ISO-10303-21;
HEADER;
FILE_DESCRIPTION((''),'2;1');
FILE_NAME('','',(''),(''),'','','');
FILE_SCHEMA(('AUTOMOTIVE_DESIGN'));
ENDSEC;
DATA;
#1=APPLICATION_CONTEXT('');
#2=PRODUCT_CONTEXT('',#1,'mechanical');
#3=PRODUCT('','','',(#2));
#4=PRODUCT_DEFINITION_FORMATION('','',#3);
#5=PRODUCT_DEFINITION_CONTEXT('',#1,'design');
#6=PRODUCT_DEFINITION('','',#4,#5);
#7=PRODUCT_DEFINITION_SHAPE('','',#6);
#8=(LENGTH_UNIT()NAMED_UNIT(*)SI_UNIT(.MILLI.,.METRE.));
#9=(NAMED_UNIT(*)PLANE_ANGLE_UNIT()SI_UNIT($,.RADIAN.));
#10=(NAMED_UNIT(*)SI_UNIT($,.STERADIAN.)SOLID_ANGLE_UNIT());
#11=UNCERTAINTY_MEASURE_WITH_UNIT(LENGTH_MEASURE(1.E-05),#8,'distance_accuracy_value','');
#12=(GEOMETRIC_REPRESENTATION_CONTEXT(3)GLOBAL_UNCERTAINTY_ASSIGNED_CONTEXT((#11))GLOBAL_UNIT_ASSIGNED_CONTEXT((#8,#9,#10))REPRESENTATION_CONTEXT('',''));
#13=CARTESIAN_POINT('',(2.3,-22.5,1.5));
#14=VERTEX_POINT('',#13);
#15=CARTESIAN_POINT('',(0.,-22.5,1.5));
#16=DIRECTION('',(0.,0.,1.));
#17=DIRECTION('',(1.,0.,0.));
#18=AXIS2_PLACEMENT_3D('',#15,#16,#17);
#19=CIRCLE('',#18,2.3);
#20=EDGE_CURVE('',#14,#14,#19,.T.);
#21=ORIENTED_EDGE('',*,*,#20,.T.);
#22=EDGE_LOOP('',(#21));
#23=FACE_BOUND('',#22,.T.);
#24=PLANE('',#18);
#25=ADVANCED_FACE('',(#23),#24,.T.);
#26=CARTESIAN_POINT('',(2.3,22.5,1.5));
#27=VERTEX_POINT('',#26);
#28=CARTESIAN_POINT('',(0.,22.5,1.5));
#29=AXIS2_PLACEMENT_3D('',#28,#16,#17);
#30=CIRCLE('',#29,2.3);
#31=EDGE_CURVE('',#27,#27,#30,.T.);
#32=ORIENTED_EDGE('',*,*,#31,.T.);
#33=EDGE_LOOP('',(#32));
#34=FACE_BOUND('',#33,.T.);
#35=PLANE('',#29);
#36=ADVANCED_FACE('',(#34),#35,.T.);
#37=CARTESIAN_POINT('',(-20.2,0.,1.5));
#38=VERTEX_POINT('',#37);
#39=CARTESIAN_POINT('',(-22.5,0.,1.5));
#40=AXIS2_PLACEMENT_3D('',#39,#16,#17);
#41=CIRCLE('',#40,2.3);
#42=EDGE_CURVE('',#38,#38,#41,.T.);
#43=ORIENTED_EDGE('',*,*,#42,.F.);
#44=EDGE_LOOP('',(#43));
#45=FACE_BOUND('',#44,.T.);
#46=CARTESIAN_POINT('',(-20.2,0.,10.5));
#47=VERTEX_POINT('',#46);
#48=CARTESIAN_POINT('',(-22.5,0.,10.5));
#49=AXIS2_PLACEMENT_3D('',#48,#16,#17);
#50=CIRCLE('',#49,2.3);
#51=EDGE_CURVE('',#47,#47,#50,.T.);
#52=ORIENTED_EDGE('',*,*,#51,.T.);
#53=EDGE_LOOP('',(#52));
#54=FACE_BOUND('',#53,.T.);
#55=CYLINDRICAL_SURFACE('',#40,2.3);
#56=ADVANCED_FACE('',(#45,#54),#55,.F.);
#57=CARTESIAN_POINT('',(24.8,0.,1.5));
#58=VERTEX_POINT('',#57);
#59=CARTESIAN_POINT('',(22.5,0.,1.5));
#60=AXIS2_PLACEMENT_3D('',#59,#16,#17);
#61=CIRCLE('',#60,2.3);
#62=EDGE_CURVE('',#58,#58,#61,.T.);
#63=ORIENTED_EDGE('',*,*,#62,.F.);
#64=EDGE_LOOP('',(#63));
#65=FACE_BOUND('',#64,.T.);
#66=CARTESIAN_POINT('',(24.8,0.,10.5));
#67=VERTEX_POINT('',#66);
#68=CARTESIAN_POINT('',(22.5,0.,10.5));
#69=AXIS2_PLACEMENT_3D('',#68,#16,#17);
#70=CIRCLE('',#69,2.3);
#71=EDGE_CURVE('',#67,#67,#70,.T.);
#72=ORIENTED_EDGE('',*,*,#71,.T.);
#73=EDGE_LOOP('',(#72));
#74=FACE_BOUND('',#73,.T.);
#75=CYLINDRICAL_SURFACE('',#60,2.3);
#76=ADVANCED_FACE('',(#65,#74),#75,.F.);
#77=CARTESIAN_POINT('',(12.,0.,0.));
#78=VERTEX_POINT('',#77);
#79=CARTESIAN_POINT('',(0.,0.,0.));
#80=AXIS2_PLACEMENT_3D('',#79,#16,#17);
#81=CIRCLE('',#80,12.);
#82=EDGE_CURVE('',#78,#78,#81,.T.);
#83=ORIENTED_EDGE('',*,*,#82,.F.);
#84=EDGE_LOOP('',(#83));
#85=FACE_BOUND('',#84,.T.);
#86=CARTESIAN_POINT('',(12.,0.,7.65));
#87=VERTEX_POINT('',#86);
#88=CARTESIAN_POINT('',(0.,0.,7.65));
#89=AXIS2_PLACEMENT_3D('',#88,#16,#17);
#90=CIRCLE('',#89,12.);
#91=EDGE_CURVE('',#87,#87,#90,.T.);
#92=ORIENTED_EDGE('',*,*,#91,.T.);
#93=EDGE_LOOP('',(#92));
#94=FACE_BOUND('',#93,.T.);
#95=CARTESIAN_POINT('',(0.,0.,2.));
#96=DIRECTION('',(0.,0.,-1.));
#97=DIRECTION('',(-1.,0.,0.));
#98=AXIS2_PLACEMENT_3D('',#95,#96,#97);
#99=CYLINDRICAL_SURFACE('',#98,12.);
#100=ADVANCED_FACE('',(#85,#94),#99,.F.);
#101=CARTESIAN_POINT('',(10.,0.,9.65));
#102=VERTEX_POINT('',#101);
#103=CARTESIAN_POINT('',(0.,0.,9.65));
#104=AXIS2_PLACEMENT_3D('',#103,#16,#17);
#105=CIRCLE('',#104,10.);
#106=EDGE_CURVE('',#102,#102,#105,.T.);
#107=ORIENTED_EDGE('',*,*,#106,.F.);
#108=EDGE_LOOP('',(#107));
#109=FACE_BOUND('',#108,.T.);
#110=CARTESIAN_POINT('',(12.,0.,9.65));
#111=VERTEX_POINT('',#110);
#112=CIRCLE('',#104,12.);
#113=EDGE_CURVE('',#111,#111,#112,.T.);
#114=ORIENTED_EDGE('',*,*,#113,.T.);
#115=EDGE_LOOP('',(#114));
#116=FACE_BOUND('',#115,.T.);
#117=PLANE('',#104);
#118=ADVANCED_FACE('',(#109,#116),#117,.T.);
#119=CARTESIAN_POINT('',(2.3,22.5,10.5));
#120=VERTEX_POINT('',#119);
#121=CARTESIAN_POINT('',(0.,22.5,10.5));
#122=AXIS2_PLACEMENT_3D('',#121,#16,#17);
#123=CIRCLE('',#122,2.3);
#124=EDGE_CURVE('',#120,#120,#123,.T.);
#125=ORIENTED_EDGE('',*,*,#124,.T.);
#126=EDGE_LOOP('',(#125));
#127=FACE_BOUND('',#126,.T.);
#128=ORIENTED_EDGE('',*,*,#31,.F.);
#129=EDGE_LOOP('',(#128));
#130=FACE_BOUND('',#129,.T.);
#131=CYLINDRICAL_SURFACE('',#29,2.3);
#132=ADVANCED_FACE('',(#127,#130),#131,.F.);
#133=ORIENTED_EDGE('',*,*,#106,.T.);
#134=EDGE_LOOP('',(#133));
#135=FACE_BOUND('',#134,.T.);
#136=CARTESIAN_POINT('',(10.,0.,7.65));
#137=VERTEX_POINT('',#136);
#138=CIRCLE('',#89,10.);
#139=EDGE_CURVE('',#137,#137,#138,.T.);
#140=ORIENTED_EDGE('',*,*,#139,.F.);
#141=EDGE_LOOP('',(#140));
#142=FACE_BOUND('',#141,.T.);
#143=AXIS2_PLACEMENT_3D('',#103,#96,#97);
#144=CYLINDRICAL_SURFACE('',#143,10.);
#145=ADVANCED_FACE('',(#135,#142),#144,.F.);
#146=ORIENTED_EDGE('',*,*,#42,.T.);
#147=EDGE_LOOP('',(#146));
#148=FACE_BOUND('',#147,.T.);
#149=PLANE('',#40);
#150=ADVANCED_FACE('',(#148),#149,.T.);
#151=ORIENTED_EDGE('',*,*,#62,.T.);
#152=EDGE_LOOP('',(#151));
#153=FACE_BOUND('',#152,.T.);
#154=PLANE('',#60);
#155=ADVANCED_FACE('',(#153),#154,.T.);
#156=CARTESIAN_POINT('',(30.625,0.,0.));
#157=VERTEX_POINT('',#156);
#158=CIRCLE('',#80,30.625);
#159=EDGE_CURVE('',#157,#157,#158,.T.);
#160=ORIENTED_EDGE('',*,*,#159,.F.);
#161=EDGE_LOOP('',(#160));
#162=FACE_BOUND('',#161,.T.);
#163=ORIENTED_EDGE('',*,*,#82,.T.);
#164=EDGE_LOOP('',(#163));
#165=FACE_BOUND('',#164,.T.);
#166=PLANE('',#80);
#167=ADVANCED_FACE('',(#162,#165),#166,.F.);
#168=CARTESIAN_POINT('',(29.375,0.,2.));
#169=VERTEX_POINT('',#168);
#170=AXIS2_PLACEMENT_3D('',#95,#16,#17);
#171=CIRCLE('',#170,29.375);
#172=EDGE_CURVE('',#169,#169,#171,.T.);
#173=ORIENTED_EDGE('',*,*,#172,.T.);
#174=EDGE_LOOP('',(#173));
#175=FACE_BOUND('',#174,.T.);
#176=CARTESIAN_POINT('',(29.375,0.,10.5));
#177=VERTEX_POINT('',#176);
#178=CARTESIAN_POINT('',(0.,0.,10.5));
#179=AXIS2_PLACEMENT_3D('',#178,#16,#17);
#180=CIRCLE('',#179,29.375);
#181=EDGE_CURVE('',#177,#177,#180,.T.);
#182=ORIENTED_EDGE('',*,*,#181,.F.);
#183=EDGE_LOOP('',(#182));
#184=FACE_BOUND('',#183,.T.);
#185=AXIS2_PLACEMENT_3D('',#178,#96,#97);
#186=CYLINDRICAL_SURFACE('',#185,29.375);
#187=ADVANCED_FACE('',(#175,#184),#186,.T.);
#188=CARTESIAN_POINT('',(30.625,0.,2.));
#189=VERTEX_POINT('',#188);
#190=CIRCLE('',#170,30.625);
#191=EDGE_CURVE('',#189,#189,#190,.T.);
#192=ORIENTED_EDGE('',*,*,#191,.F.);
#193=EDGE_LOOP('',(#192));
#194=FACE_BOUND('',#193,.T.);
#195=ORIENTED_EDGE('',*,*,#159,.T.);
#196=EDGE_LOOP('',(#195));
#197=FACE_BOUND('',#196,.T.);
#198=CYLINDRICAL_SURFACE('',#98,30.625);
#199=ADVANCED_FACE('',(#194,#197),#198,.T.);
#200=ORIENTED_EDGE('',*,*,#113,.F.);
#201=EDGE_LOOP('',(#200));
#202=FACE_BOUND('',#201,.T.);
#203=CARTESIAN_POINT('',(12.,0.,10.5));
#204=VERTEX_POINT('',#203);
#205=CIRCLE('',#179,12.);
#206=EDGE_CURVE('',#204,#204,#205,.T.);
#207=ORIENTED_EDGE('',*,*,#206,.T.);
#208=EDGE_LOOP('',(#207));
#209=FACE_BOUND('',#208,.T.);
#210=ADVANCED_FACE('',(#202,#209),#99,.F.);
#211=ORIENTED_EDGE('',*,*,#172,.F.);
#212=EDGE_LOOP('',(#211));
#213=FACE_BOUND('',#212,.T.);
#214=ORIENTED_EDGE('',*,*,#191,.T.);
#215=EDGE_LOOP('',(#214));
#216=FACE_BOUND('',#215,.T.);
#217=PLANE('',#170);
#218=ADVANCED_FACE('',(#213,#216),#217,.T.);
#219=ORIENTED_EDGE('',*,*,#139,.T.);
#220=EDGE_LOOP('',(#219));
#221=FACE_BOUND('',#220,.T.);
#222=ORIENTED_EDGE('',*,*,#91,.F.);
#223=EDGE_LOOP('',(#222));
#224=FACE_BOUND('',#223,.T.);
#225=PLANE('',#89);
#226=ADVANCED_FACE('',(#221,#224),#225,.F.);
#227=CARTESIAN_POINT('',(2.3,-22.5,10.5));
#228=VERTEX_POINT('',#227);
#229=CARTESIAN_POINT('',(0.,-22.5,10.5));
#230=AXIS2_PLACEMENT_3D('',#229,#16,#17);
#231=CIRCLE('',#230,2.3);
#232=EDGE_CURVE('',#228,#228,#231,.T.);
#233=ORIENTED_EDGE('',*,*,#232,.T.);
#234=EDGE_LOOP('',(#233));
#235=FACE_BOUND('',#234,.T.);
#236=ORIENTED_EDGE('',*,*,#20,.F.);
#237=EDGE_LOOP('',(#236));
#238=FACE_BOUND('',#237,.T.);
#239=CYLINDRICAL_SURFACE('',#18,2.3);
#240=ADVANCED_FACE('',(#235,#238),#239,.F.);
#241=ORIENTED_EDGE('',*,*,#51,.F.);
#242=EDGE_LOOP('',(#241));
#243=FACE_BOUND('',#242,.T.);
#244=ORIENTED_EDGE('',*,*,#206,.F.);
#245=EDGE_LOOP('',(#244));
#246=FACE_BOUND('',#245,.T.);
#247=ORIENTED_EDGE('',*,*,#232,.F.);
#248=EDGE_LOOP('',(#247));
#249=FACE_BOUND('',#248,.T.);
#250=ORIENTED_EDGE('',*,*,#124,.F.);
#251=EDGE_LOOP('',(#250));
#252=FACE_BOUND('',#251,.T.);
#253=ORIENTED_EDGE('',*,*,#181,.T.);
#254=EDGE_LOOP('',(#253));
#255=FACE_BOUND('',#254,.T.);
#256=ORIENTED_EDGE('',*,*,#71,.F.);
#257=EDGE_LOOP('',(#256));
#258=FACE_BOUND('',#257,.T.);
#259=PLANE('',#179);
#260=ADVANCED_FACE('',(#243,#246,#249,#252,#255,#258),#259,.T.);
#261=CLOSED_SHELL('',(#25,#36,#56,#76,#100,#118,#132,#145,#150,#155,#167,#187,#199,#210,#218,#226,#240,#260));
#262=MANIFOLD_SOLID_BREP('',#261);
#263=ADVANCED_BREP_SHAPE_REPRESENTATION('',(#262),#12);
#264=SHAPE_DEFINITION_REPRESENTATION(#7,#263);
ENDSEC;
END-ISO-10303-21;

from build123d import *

# Parameters (mm, degrees)
SKETCH1_R           = 30.625
SKETCH1_R_2         = 29.375
SKETCH1_R_3         = 12
BOSS_EXTRUDE1_DEPTH = 2
BOSS_EXTRUDE2_START = 2
SKETCH1_3_R         = 29.375
SKETCH1_3_R_2       = 12
BOSS_EXTRUDE2_DEPTH = 8.5
BOSS_EXTRUDE3_START = 7.65
SKETCH1_4_R         = 12
SKETCH1_4_R_2       = 10
BOSS_EXTRUDE3_DEPTH = 2
SKETCH2_R           = 2.3
CUT_EXTRUDE1_DEPTH  = 9


with BuildPart() as part:
    # Sketch1 → Boss-Extrude1 (new body)
    # profile 1 of 2: a face of its own
    with BuildSketch(Plane.XY):
        Circle(SKETCH1_R)
        Circle(SKETCH1_R_2, mode=Mode.SUBTRACT)
    # profile 2 of 2: a face of its own
    with BuildSketch(Plane.XY):
        Circle(SKETCH1_R_2)
        Circle(SKETCH1_R_3, mode=Mode.SUBTRACT)
    extrude(amount=BOSS_EXTRUDE1_DEPTH)

    # Sketch1<3> → Boss-Extrude2 (add)
    with BuildSketch(Plane.XY.offset(BOSS_EXTRUDE2_START)):
        Circle(SKETCH1_3_R)
        Circle(SKETCH1_3_R_2, mode=Mode.SUBTRACT)
    extrude(amount=BOSS_EXTRUDE2_DEPTH)

    # Sketch1<4> → Boss-Extrude3 (add)
    with BuildSketch(Plane.XY.offset(BOSS_EXTRUDE3_START)):
        Circle(SKETCH1_4_R)
        Circle(SKETCH1_4_R_2, mode=Mode.SUBTRACT)
    extrude(amount=BOSS_EXTRUDE3_DEPTH)

    # Sketch2 → Cut-Extrude1 (cut)
    with BuildSketch(Plane.XY.offset(10.5)):
        with Locations((0, 22.5)):
            Circle(SKETCH2_R)
        with Locations((22.5, 0)):
            Circle(SKETCH2_R)
        with Locations((0, -22.5)):
            Circle(SKETCH2_R)
        with Locations((-22.5, 0)):
            Circle(SKETCH2_R)
    extrude(amount=-CUT_EXTRUDE1_DEPTH, mode=Mode.SUBTRACT)


solid = part.part
